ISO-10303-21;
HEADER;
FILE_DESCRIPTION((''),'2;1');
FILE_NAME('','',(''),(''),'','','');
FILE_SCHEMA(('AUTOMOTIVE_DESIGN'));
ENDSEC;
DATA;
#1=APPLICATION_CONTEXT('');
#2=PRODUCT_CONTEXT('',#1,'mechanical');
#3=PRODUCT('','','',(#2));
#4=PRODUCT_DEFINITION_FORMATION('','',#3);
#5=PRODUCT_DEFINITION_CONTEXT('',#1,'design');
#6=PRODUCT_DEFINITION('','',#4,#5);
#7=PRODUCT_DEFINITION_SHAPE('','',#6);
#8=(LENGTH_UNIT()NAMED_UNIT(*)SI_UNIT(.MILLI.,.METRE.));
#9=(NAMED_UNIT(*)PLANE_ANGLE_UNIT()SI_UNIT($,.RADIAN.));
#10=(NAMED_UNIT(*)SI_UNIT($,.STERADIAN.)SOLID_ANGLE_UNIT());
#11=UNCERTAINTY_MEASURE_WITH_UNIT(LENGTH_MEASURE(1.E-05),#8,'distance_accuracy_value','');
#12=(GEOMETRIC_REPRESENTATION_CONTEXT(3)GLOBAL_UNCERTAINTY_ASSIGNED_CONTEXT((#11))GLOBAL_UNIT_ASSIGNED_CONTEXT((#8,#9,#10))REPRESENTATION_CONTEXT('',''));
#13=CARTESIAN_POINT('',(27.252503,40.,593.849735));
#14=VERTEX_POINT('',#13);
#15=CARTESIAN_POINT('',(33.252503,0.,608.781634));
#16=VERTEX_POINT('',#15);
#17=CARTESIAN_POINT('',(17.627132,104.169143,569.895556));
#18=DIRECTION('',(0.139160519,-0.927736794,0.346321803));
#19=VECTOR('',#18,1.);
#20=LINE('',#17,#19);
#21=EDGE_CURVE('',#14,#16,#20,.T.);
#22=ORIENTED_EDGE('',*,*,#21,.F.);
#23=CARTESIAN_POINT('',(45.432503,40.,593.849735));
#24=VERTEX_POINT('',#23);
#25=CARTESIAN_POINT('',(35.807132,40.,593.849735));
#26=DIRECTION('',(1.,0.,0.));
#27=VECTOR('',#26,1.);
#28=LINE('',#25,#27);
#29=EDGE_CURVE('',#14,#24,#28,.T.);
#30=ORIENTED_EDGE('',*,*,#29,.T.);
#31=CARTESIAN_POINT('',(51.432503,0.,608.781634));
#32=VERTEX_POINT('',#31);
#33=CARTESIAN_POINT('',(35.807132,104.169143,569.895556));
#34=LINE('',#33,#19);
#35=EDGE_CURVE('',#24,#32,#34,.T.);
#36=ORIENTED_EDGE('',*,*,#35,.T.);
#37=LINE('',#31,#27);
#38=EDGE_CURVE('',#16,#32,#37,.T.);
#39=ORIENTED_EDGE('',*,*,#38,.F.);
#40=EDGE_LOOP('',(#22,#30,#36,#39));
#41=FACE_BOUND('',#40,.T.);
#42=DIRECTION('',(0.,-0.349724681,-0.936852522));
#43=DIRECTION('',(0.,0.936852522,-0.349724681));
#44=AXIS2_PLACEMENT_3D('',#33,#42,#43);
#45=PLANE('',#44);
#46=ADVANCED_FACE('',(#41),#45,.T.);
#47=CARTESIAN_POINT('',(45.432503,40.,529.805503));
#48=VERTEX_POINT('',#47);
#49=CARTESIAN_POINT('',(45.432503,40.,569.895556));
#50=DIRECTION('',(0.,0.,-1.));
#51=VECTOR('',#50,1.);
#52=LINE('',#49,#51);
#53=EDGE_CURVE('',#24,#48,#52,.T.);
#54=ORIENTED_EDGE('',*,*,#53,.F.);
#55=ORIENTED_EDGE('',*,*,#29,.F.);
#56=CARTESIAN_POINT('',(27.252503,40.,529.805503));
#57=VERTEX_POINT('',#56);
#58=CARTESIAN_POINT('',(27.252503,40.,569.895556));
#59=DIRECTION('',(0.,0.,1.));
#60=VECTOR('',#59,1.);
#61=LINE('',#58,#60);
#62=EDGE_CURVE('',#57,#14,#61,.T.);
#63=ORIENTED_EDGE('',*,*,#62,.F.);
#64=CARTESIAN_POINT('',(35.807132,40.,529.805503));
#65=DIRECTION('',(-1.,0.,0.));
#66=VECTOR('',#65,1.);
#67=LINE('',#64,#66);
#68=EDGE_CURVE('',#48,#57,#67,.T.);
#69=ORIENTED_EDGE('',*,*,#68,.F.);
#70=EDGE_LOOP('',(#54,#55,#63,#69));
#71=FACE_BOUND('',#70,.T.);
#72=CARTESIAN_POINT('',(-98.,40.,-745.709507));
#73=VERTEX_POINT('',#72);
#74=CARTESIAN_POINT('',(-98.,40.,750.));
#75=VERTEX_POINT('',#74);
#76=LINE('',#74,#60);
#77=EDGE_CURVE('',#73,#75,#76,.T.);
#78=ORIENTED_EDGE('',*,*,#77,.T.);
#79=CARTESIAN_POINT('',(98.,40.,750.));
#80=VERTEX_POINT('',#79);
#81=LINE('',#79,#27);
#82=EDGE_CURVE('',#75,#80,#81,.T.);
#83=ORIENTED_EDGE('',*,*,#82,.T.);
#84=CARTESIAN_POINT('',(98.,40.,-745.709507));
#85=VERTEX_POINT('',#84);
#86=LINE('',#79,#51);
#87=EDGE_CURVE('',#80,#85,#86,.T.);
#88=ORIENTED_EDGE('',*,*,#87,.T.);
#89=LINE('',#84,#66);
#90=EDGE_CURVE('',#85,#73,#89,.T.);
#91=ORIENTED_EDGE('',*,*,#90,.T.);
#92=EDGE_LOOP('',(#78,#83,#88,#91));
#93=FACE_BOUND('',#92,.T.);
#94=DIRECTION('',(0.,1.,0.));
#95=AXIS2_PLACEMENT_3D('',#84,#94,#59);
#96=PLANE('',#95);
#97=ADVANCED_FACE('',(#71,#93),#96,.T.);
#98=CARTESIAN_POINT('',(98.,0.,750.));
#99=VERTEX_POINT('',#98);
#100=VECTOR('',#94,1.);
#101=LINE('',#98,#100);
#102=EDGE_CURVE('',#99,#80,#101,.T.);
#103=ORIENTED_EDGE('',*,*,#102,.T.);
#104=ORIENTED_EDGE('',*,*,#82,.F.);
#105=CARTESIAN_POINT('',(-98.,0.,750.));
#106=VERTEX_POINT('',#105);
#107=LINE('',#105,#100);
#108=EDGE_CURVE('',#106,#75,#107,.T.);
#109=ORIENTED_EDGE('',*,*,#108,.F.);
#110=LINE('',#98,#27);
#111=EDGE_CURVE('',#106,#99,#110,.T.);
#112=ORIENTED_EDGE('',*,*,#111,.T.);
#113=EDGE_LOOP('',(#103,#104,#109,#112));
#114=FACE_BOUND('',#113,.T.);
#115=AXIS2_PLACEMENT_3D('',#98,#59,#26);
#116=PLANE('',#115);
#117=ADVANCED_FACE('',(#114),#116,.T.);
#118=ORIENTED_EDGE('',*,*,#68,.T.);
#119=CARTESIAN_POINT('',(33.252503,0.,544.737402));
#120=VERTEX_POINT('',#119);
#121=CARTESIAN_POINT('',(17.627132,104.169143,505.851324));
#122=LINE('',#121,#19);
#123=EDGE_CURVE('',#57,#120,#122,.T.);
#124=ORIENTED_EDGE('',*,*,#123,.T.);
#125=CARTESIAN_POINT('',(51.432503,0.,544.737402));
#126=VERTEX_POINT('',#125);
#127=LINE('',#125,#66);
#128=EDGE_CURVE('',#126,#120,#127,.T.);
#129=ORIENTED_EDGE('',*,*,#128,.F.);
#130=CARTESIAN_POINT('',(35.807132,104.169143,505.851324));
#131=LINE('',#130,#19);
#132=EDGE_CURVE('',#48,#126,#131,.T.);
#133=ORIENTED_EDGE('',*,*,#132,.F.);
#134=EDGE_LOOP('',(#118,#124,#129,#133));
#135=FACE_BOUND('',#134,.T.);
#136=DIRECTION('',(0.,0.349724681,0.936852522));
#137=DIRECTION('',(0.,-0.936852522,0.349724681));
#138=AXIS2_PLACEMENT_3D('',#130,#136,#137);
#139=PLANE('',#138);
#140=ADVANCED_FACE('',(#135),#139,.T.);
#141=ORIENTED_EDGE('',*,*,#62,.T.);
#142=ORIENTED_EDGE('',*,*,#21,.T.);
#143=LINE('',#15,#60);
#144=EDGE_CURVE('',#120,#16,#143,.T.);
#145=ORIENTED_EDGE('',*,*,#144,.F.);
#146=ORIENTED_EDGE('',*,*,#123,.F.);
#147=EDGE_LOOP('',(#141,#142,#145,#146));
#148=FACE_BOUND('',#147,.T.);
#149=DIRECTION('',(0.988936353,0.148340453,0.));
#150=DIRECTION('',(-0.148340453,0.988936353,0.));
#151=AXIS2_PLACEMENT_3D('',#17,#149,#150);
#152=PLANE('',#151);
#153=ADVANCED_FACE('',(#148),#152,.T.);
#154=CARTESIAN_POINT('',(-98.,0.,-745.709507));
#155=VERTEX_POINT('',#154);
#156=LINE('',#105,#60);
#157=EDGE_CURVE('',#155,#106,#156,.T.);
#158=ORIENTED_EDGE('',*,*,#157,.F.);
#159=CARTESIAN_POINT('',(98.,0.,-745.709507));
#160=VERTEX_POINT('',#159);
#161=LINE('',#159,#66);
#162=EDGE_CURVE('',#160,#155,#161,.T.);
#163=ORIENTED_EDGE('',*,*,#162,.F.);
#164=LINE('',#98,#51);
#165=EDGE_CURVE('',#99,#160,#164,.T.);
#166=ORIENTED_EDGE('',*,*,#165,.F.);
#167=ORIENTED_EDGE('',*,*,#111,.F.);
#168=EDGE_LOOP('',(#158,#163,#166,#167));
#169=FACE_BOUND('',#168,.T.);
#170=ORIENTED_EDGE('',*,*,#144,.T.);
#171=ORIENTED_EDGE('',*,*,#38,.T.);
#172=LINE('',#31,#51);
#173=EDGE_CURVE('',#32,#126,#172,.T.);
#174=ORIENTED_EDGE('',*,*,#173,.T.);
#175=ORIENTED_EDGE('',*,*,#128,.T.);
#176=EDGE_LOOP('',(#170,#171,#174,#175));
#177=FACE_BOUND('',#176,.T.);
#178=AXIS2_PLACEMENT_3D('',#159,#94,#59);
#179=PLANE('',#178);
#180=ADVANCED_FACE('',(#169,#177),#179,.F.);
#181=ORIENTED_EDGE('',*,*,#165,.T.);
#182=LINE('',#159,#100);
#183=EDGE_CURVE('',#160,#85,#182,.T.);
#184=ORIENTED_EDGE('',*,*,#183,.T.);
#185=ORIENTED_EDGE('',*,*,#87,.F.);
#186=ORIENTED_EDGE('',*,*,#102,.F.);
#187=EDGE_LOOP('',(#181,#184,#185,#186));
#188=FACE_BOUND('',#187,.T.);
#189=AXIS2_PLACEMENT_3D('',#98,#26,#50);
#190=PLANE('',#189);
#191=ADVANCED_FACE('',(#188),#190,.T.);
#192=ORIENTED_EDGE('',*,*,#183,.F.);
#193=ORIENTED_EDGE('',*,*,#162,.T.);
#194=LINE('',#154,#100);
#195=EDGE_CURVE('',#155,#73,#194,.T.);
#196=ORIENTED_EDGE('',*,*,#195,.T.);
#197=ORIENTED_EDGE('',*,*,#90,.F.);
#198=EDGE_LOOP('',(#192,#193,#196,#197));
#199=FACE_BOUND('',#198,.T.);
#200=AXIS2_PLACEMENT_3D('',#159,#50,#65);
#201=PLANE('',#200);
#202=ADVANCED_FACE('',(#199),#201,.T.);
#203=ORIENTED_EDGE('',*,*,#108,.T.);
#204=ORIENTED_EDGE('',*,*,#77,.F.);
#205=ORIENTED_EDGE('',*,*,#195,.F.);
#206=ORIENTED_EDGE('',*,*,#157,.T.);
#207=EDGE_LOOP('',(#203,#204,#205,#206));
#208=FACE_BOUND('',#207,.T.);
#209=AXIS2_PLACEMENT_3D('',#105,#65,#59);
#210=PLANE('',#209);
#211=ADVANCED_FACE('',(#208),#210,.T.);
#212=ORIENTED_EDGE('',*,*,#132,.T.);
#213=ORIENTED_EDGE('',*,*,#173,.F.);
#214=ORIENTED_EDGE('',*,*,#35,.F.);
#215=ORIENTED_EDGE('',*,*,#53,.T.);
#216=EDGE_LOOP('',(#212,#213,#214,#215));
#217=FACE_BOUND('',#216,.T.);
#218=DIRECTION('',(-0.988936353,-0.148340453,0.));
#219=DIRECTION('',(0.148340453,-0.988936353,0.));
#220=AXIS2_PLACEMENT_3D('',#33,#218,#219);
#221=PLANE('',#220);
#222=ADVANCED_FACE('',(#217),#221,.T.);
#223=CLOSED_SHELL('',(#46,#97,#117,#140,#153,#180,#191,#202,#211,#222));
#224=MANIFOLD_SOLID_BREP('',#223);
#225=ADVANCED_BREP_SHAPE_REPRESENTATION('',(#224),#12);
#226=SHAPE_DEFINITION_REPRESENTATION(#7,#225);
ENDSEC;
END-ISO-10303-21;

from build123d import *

# Parameters (mm, degrees)
SKETCH_4_W          = 196
SKETCH_4_H          = 1495.709506603
EXTRUDE_2_DEPTH     = 40
SKETCH_10_W         = 18.18
SKETCH_10_H         = 64.044231727
CUT_EXTRUDE_1_DEPTH = 46.474040195


with BuildPart() as part:
    # 草圖4 → 填料-伸長2 (new body)
    with BuildSketch(Plane(origin=(0, 40, 0), x_dir=(-1, 0, 0), z_dir=(0, 1, 0))):
        with Locations((0, 2.145246698)):
            Rectangle(SKETCH_4_W, SKETCH_4_H)
    extrude(amount=-EXTRUDE_2_DEPTH)

    # 草圖10 → 除料-伸長1 (cut, along a direction that is not the sketch's normal)
    with BuildSketch(Plane(origin=(0, 0, 0), x_dir=(1, 0, 0), z_dir=(0, 1, 0))):
        with Locations((42.342503168, -576.7595183)):
            Rectangle(SKETCH_10_W, SKETCH_10_H)
    extrude(amount=CUT_EXTRUDE_1_DEPTH, dir=(-0.13916051909627253, 0.9277367939751496, -0.34632180270604807), mode=Mode.SUBTRACT)


solid = part.part
